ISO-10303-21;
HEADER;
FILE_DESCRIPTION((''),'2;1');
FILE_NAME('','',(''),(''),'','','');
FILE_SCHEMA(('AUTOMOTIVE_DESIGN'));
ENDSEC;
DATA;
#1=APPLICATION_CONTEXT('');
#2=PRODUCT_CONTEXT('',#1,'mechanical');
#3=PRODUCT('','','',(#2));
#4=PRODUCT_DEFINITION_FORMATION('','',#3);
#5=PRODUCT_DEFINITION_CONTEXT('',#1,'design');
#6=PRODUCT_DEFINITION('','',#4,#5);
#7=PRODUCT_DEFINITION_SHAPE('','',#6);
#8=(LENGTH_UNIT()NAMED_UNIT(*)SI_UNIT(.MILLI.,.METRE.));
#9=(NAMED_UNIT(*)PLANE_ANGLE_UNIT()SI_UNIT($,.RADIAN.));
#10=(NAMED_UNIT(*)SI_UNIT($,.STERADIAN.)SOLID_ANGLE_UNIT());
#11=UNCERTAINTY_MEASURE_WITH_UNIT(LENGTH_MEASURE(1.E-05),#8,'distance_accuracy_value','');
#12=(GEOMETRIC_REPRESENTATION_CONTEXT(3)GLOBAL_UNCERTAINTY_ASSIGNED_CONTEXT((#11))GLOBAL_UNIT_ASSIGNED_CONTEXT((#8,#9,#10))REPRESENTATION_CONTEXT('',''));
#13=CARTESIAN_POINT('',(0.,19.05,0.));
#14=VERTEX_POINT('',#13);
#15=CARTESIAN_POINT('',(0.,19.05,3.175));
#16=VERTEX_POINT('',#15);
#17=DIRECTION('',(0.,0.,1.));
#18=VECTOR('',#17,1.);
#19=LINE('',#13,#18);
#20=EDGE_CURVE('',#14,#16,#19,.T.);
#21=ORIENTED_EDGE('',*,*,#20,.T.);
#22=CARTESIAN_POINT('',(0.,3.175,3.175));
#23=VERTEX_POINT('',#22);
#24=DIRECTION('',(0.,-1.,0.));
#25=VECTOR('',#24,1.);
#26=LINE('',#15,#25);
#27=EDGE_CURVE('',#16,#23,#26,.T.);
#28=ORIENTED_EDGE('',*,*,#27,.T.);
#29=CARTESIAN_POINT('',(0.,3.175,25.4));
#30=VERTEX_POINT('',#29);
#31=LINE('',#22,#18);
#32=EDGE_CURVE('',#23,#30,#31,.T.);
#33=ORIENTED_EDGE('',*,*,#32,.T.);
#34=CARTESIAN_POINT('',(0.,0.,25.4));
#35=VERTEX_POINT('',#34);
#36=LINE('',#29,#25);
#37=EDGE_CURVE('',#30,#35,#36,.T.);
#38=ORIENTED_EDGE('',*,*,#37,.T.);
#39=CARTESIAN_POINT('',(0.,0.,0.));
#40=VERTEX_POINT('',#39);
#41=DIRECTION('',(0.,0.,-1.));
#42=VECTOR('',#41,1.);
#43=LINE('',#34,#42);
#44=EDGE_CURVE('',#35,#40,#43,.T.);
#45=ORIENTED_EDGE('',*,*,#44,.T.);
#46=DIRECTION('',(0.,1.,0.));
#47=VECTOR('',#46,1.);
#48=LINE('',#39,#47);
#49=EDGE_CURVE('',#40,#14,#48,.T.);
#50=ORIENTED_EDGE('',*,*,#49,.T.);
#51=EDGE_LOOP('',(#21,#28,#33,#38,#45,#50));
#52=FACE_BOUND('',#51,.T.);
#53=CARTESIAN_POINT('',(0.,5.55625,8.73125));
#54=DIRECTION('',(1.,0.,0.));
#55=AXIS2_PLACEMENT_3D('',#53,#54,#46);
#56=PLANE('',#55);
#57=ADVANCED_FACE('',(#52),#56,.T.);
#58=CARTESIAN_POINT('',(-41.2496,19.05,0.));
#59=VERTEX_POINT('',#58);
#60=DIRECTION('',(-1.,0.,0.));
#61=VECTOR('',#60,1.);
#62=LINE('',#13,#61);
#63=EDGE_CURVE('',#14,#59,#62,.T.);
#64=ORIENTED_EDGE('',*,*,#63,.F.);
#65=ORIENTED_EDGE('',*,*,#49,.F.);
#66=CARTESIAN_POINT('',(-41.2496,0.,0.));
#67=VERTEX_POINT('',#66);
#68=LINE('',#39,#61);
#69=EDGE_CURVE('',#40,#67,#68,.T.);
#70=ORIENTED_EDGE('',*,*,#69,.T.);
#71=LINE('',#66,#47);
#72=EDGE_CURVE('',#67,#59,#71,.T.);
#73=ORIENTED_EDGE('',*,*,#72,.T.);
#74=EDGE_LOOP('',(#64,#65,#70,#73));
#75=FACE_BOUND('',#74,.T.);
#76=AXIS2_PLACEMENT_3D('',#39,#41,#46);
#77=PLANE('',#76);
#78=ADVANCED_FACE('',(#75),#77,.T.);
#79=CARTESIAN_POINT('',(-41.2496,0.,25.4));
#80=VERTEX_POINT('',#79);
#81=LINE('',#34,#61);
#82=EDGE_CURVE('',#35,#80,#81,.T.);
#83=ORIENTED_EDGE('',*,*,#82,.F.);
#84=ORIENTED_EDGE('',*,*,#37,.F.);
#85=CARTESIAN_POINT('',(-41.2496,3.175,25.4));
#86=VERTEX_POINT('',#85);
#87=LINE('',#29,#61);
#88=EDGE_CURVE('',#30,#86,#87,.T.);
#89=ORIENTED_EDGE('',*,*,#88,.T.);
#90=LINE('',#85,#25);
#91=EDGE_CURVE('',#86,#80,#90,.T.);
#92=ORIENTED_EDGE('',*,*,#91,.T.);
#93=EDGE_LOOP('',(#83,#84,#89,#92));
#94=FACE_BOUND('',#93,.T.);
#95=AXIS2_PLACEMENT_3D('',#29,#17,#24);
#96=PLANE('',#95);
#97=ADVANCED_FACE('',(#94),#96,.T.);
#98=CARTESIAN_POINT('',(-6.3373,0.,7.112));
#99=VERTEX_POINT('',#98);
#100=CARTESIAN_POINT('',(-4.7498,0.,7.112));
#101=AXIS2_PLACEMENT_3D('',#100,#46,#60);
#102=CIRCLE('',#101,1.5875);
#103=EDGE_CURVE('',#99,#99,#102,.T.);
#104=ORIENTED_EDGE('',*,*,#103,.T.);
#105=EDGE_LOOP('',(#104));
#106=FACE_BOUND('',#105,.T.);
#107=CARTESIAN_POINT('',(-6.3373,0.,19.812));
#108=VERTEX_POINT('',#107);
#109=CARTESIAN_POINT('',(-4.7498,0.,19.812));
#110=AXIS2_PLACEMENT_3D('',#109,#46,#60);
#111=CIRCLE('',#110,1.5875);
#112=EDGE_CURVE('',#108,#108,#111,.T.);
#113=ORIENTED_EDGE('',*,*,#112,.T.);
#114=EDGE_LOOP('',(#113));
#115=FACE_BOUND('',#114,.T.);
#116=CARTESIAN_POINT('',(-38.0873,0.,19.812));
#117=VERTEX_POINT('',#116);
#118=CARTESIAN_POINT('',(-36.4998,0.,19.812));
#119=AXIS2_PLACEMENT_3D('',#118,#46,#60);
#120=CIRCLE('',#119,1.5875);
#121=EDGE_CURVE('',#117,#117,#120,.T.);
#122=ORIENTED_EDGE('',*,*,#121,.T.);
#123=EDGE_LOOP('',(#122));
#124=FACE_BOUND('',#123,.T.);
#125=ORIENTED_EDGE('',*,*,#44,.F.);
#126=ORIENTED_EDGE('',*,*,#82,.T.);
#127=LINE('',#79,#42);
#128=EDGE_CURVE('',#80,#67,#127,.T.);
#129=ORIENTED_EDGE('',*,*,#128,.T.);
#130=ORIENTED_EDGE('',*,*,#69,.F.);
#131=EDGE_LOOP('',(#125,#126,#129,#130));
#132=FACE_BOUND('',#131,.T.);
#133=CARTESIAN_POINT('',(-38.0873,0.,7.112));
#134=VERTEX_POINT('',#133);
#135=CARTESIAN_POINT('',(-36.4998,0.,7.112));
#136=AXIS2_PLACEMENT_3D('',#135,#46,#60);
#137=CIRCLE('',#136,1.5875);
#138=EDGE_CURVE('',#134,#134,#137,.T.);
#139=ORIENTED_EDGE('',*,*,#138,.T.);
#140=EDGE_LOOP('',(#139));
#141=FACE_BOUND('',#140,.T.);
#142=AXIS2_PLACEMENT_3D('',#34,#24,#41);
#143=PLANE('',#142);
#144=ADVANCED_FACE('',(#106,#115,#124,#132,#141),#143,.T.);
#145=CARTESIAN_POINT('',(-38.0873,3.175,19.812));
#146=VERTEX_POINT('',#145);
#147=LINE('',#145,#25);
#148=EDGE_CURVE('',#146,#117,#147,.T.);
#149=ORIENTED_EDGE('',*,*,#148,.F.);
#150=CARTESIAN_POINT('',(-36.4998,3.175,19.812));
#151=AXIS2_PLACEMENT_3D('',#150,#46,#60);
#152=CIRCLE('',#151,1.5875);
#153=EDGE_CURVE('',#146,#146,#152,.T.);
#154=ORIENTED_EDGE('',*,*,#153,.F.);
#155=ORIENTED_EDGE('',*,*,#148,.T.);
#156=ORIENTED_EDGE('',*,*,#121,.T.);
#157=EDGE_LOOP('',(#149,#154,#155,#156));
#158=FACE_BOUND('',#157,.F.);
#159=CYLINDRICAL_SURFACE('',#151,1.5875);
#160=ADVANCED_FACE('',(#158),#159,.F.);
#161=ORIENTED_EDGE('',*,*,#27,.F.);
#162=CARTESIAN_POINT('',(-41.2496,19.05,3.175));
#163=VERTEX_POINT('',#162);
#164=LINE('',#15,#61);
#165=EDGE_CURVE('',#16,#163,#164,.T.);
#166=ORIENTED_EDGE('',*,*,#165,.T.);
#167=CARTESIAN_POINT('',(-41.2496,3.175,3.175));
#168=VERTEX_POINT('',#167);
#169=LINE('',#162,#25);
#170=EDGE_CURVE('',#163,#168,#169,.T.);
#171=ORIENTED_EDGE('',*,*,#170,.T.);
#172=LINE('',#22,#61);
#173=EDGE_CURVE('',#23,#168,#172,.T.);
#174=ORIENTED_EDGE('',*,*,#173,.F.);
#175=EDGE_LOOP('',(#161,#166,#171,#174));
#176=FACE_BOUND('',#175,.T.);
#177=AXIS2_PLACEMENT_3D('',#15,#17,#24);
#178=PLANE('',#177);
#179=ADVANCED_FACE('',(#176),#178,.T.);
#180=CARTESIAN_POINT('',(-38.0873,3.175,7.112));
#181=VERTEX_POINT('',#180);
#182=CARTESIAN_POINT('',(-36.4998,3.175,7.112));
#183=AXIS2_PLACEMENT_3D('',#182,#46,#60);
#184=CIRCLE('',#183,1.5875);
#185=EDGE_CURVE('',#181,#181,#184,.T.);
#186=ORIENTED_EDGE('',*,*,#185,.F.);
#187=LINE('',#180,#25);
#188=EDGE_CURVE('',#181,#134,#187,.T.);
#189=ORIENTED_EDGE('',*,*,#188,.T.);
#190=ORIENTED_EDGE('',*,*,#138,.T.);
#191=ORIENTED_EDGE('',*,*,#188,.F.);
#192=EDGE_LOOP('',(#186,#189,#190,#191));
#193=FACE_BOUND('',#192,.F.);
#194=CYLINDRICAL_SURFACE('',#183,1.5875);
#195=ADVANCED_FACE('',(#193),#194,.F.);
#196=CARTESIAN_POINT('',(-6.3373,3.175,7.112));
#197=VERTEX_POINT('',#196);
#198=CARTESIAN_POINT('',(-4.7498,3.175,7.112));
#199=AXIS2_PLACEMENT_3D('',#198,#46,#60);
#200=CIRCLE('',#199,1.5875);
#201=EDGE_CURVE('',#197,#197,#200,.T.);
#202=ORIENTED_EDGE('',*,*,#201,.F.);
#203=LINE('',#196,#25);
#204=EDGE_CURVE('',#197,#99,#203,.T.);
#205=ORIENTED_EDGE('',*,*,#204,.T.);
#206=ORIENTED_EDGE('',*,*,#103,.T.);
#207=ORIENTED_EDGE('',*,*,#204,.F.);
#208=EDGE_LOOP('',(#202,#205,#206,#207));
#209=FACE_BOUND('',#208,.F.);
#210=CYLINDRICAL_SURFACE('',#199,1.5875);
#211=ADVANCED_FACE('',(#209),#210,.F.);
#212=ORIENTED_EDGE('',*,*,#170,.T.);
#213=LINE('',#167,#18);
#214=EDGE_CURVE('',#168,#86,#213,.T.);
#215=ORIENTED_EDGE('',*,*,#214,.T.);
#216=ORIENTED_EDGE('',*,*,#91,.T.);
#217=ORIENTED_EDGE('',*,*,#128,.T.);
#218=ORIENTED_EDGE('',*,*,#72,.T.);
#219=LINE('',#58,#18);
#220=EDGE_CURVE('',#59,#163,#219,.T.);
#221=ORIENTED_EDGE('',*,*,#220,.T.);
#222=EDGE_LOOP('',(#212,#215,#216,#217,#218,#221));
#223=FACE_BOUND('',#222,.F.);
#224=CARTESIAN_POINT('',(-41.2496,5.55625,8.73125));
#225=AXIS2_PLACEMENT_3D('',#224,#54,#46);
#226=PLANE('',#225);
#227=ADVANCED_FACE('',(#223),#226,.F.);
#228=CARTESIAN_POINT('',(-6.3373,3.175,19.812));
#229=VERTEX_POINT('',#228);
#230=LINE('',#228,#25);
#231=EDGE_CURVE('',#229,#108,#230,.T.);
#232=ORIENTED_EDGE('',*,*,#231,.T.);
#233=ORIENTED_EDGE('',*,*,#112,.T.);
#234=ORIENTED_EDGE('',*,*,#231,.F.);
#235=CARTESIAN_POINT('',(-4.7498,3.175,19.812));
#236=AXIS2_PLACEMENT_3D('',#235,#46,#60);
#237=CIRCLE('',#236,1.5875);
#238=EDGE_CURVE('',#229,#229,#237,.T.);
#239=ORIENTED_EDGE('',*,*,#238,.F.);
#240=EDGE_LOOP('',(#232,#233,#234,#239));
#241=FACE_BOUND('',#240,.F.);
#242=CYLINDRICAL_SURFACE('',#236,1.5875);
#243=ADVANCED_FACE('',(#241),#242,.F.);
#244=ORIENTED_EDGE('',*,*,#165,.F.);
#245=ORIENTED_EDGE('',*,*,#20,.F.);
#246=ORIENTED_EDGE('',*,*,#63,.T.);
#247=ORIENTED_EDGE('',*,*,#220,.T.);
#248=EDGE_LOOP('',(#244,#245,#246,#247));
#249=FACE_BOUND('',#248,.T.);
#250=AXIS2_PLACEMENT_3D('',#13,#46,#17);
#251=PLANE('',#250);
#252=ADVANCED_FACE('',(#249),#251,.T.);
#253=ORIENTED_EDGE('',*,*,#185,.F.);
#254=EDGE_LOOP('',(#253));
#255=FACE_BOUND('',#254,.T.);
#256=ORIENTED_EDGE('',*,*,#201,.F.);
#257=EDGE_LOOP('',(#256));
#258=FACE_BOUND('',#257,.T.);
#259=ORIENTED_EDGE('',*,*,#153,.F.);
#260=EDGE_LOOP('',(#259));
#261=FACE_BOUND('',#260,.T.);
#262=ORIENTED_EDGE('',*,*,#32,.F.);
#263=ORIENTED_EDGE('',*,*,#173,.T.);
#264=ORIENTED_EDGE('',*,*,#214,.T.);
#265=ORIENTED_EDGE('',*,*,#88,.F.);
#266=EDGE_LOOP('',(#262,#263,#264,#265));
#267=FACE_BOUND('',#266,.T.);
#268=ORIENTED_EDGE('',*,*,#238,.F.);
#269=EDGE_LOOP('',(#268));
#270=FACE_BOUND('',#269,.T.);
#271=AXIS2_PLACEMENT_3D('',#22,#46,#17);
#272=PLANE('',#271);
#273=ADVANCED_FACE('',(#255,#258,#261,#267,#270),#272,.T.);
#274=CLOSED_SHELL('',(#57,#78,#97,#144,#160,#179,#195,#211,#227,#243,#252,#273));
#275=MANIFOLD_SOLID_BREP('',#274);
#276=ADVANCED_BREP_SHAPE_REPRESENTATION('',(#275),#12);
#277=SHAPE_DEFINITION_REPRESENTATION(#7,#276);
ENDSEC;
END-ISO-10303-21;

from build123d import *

# Parameters (mm, degrees)
F1_DEPTH = 41.2496
F2_R     = 1.5875
F3_DEPTH = 3.176


with BuildPart() as f1:
    # F0 (on Right) → F1 (new body)
    with BuildSketch(Plane.YZ):
        Polygon((3.175, 25.4), (0, 25.4), (0, 0), (19.05, 0), (19.05, 3.175), (3.175, 3.175), align=None)
    extrude(amount=-F1_DEPTH)

    # F2 (on face) → F3 (cut, through all)
    with BuildSketch(Plane(origin=(0, 3.175, 0), x_dir=(-1, 0, 0), z_dir=(0, 1, 0))):
        with Locations((4.7498, 19.812)):
            Circle(F2_R)
        with Locations((36.4998, 19.812)):
            Circle(F2_R)
        with Locations((4.7498, 7.112)):
            Circle(F2_R)
        with Locations((36.4998, 7.112)):
            Circle(F2_R)
    extrude(amount=-F3_DEPTH, mode=Mode.SUBTRACT)


solid = f1.part
